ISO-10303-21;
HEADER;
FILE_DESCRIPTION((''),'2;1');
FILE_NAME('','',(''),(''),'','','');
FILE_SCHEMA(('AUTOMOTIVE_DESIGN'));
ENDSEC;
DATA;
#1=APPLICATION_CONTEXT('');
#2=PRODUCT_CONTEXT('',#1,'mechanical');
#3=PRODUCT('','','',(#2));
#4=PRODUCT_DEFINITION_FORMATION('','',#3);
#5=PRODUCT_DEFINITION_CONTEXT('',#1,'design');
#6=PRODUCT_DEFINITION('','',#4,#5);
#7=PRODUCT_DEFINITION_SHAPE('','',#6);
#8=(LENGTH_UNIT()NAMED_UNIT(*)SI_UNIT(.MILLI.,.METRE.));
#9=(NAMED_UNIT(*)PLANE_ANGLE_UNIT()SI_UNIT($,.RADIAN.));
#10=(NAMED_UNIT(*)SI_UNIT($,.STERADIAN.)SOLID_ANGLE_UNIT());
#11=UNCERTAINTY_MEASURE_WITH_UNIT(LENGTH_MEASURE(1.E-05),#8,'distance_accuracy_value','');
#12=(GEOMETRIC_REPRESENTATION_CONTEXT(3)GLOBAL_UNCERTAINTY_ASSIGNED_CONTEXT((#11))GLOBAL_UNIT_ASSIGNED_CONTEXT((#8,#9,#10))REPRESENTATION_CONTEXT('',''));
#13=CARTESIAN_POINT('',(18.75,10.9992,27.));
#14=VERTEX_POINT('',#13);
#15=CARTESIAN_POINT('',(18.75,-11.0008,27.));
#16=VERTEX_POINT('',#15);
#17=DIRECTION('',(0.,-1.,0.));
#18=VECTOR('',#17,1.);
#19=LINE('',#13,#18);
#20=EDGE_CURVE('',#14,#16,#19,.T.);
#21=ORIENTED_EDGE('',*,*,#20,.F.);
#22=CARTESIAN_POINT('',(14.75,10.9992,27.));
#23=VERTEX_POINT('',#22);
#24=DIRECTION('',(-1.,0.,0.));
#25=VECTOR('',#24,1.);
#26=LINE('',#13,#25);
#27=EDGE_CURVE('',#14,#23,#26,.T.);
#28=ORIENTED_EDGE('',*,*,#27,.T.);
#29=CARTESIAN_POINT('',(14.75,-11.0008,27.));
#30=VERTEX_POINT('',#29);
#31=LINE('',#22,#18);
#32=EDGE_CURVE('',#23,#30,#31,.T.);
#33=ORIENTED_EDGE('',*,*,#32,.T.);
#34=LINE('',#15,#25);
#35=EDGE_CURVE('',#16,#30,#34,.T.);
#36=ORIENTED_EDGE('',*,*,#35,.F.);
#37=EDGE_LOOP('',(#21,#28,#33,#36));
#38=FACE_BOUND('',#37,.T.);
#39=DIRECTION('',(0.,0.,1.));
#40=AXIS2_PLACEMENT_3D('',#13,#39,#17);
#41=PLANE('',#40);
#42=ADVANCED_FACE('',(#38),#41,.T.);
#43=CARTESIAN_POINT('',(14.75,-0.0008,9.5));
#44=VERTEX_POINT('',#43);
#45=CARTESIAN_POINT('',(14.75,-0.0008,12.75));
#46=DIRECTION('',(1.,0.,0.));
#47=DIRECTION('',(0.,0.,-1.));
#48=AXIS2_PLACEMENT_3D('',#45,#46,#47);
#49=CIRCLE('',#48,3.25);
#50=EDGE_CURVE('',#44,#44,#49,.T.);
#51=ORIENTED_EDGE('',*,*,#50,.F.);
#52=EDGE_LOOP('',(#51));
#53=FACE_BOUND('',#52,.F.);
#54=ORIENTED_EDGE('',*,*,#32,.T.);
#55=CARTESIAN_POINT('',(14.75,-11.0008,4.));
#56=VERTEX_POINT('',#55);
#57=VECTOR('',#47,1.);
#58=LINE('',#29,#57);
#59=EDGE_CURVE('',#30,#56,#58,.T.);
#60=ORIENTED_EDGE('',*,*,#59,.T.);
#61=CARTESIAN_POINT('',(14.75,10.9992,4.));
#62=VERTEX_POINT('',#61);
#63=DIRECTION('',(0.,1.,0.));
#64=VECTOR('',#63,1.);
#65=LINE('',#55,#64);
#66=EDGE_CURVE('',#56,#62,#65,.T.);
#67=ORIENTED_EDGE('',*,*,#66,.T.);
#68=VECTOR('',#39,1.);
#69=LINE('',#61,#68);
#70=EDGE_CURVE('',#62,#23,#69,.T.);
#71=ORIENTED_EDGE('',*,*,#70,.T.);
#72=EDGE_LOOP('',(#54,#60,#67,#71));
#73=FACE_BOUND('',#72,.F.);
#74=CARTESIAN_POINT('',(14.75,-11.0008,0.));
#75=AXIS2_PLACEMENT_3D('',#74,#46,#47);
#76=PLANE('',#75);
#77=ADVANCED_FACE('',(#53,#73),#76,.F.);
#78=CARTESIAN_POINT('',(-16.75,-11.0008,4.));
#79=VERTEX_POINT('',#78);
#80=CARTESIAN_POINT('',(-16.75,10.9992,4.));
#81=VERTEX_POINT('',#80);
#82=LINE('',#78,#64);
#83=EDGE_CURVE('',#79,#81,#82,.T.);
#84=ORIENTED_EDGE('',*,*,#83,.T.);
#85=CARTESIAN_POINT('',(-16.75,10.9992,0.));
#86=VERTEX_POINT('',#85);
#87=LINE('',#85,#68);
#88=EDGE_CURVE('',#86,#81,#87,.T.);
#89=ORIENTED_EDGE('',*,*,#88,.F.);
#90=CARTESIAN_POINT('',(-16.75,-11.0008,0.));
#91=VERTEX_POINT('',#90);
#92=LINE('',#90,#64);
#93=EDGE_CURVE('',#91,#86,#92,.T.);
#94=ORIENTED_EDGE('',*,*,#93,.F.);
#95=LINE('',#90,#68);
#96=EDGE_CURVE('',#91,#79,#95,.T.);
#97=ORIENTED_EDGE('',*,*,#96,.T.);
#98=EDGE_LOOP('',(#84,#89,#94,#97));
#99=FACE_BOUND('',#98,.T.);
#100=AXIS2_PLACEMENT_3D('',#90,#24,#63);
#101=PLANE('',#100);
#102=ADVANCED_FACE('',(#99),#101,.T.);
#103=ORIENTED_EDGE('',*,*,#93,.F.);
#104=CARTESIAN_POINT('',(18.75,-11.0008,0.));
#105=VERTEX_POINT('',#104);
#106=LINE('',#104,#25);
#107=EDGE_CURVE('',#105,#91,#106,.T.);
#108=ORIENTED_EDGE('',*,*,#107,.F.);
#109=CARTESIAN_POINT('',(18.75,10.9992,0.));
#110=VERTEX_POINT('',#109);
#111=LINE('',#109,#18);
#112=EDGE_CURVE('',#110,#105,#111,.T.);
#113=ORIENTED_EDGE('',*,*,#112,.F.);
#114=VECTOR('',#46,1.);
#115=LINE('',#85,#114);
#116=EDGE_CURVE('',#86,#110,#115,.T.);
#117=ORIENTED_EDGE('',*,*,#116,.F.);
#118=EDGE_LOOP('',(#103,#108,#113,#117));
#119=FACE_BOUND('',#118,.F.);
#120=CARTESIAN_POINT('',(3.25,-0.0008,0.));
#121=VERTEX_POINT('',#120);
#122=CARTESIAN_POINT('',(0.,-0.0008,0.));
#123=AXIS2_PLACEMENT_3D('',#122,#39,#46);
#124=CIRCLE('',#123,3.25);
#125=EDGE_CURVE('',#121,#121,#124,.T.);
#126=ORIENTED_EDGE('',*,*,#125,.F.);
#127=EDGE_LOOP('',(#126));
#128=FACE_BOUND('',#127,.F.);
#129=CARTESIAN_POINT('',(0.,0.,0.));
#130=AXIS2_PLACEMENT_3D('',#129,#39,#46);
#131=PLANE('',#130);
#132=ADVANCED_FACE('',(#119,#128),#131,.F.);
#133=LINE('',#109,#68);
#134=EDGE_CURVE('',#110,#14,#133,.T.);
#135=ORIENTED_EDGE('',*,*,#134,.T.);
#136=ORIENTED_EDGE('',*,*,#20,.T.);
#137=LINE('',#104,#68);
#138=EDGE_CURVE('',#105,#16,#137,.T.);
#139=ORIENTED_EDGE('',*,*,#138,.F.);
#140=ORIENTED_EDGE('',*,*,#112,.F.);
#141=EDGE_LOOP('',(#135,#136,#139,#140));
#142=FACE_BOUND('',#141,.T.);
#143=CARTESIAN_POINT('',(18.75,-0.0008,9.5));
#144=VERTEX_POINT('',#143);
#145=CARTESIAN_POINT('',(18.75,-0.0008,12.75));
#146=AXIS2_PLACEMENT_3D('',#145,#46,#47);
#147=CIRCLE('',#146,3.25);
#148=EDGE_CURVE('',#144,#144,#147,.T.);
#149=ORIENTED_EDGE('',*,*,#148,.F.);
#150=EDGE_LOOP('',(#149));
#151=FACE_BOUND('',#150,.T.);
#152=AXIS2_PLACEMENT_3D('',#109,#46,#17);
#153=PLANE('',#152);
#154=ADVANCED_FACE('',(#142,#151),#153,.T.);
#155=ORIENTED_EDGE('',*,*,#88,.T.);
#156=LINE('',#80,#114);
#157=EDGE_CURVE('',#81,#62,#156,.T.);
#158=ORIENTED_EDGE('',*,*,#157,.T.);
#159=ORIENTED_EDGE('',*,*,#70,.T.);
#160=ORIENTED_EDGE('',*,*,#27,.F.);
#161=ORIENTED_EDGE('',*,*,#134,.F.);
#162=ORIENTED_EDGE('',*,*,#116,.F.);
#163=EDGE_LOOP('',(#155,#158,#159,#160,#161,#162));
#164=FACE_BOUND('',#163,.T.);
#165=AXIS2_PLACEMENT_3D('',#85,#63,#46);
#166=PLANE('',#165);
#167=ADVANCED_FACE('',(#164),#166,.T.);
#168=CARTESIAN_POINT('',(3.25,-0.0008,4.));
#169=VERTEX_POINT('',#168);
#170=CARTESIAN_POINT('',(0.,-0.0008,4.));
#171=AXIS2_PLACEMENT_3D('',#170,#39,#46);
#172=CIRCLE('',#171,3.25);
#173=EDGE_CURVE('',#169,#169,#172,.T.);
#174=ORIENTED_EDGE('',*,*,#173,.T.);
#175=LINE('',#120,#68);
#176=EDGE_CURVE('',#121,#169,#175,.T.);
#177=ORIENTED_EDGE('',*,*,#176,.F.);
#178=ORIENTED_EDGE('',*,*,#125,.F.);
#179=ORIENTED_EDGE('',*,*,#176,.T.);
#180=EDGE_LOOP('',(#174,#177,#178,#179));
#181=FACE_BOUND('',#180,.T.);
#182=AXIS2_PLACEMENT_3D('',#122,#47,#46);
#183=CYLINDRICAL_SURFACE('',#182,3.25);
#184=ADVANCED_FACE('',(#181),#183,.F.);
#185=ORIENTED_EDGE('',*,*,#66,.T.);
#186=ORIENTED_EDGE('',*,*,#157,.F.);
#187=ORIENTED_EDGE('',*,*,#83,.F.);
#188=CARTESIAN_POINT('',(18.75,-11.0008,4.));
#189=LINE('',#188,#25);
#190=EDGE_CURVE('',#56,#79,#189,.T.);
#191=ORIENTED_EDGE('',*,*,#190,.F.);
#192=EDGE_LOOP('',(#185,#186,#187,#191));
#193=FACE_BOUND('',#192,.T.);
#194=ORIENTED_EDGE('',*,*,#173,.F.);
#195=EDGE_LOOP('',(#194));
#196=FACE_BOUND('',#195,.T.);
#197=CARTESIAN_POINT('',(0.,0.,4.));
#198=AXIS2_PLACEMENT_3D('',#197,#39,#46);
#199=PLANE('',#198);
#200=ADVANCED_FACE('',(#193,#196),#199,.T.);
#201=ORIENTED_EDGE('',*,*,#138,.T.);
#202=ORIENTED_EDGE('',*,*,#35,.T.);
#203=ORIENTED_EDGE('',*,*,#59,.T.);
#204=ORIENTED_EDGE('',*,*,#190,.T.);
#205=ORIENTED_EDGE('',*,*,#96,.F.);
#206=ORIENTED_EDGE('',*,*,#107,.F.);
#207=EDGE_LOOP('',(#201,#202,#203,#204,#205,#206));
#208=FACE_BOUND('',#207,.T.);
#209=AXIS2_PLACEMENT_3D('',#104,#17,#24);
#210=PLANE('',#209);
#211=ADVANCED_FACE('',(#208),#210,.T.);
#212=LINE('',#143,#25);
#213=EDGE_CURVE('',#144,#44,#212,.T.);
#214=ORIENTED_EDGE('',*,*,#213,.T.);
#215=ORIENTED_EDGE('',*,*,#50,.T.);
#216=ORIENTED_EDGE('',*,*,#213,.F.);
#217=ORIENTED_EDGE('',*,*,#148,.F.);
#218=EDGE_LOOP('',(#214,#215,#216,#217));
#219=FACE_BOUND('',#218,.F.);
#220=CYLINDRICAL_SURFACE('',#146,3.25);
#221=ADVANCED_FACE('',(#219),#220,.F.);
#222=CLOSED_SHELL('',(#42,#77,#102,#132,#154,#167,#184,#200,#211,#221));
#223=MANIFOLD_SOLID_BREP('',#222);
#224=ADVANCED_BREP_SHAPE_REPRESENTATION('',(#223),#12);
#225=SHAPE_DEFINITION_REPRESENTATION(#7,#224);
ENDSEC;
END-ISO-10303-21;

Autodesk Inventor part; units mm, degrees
ref_plane "YZ Plane" through (0, 0, 0) normal (1, 0, 0) x (0, 1, 0)
ref_plane "XZ Plane" through (0, 0, 0) normal (0, 1, 0) x (-1, 0, 0)
ref_plane "XY Plane" through (0, 0, 0) normal (0, 0, 1) x (1, 0, 0)
sketch "Sketch1" plane through (0, 0, 0) normal (0, 0, 1) x (1, 0, 0)
  circle A0 centre (0, -0.0008) radius 3.25 projected
  line L0 (-17, -11.2508) -> (-17, 11.2492) projected
  line L1 (19, -11.2508) -> (-17, -11.2508) projected
  line L2 (19, 11.2492) -> (19, -11.2508) projected
  line L3 (-17, 11.2492) -> (19, 11.2492) projected
  line L4 (18.75, -11.0008) -> (-16.75, -11.0008)
  line L5 (-16.75, -11.0008) -> (-16.75, 10.9992)
  line L6 (-16.75, 10.9992) -> (18.75, 10.9992)
  line L7 (18.75, 10.9992) -> (18.75, -11.0008)
  point P0 (0, 0)
  dimension "d0" = 0.25
extrude "Extrusion1" add sketch "Sketch1" along normal blind 4 contours L4 L5 L6 L7
sketch "Sketch2" plane through (18.75, -11.0008, 0) normal (1, 0, 0) x (0, 0, -1)
  circle A0 centre (-12.75, 11) radius 3.25 projected
  line L0 (-27.75, 22.25) -> (-27.75, 20.798) projected
  line L1 (-4, 22) -> (-27, 22)
  line L2 (-27, 22) -> (-27, 0)
  line L3 (-27, 0) -> (-4, 0)
  line L4 (-4, 0) -> (-4, 22)
  line L5 (0, 0) -> (-4, 0) projected
  point P0 (0, 11.0008)
  dimension "d3" = 23
extrude "Extrusion2" add sketch "Sketch2" against normal blind 4
properties part number "short_L_bracket" material "Stainless Steel"
